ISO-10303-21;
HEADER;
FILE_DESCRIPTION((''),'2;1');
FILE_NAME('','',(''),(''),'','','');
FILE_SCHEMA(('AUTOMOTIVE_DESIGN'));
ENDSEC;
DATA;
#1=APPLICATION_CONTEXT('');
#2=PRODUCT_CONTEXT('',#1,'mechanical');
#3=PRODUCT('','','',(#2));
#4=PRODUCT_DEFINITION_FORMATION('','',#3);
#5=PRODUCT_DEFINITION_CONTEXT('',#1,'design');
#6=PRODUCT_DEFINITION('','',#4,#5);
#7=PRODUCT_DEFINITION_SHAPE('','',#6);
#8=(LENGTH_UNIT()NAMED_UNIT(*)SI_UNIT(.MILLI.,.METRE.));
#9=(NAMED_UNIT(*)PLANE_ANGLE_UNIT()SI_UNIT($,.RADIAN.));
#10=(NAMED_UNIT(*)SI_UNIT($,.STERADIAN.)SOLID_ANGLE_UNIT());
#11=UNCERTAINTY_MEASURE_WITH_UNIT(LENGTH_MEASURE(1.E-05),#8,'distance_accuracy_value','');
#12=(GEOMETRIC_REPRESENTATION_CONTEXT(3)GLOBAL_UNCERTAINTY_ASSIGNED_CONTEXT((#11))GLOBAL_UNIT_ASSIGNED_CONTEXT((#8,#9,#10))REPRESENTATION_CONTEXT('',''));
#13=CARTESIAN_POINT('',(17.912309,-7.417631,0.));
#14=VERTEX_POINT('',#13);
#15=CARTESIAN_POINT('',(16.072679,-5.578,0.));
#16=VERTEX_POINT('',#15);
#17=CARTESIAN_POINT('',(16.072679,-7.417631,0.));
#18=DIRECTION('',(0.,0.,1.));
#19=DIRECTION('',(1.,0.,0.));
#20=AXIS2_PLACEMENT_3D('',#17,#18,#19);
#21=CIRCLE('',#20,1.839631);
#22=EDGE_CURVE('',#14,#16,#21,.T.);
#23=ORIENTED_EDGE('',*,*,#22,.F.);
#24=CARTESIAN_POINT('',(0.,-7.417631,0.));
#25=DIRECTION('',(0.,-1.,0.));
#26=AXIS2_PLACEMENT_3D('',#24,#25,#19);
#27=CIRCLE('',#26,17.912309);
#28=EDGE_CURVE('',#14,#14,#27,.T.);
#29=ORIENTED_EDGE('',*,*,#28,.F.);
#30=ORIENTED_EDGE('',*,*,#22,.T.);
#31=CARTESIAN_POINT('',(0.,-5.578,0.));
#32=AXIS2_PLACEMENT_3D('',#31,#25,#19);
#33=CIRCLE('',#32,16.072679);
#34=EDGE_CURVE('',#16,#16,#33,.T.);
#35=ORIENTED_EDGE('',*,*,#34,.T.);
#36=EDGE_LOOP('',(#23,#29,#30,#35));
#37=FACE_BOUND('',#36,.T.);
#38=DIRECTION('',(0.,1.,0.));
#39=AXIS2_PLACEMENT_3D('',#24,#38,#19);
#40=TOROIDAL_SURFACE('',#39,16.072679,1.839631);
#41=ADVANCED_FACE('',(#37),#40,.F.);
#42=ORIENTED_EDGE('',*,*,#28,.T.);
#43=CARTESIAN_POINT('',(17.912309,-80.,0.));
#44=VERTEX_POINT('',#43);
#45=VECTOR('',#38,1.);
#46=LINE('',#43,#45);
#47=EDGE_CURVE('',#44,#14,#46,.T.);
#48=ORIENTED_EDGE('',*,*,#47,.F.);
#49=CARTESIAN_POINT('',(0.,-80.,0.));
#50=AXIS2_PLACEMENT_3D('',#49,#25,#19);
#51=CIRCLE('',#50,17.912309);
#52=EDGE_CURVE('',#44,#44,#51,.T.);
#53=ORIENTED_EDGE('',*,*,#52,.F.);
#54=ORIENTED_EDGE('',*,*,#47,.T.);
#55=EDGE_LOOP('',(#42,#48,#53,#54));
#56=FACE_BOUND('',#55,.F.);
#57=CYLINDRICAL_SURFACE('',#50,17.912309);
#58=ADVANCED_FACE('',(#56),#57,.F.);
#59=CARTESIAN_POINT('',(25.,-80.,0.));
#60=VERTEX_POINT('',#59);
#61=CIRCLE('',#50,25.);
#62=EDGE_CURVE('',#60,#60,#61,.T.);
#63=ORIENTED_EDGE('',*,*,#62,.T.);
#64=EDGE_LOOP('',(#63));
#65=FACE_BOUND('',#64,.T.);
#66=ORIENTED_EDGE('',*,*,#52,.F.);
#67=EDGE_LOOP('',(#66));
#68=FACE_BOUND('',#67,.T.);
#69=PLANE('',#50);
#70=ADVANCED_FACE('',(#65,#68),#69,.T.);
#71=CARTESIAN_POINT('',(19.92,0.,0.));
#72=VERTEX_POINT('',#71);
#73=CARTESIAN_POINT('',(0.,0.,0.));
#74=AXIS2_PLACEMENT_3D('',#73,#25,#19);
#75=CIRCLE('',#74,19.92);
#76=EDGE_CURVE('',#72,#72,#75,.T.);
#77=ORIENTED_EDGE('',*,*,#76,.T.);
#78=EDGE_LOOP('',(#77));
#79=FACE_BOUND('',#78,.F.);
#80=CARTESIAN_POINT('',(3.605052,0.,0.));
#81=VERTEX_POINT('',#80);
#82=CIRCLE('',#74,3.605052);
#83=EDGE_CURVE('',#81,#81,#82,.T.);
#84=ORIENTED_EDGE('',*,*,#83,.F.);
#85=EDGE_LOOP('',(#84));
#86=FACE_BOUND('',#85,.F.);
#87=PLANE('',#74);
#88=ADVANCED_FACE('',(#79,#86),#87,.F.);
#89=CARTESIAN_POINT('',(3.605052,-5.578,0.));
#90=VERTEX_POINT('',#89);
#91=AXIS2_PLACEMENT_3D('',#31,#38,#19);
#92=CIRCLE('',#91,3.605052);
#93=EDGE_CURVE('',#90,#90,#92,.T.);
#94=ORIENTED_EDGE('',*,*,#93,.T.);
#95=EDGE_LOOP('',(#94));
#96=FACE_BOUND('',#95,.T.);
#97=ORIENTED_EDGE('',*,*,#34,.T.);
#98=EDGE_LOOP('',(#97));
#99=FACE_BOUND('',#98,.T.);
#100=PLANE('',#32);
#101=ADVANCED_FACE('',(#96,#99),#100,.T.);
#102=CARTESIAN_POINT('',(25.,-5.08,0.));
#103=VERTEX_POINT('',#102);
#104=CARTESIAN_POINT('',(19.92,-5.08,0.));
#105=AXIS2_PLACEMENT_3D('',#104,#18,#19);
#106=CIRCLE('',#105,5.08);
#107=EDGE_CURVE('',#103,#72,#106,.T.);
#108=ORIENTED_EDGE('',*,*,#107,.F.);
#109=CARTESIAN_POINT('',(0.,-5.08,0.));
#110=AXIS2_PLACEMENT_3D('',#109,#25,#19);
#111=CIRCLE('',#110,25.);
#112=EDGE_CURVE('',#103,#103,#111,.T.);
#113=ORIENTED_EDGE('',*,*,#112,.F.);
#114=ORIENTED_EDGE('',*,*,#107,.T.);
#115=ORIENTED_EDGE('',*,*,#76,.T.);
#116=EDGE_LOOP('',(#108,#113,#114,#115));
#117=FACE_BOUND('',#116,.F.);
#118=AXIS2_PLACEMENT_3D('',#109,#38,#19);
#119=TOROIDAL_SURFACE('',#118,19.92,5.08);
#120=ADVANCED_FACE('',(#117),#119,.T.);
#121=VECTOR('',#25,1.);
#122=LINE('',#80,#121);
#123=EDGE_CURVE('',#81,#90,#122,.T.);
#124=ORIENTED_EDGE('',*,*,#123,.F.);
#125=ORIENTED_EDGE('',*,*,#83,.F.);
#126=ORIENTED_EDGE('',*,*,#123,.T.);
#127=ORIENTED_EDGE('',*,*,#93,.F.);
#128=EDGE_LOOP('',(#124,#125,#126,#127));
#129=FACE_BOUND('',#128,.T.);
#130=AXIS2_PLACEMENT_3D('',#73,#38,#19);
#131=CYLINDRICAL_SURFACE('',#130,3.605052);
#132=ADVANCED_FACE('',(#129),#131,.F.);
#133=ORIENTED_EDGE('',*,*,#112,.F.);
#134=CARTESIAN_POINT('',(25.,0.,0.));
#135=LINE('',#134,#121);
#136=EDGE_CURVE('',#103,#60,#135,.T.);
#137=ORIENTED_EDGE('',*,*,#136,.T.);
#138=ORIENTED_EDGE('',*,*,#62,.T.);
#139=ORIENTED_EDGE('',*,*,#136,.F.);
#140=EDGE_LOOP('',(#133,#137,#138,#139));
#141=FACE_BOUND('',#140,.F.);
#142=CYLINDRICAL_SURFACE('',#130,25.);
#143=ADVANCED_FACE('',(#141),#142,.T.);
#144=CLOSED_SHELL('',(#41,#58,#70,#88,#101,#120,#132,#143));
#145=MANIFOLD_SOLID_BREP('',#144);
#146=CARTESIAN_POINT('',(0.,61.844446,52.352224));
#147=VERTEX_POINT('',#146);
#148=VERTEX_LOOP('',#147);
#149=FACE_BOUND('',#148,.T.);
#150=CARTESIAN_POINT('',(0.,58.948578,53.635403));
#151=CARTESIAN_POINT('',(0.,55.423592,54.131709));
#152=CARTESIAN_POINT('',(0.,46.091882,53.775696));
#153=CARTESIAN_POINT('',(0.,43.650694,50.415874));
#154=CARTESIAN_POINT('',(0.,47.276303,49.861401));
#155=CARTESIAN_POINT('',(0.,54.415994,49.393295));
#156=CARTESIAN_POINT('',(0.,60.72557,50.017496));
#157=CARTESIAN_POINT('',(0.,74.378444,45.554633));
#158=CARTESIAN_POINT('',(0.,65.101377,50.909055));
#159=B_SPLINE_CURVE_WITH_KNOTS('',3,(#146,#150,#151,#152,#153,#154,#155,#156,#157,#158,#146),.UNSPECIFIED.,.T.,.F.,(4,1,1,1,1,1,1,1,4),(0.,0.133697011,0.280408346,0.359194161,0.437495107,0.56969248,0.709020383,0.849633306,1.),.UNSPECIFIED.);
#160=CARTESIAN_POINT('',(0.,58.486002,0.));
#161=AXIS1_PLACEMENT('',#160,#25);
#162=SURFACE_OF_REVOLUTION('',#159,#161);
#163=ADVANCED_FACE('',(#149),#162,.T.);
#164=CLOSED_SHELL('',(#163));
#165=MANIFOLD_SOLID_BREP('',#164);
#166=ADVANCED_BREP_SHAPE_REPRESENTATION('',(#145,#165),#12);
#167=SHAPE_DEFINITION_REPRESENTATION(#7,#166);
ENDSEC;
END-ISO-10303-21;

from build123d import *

# Parameters (mm, degrees)
F0_R     = 25
F1_DEPTH = 80
F6_R     = 17.9123092865
F7_DEPTH = 74.422
F8_R     = 3.6050515813
F9_DEPTH = 7.62
F10_R    = 5.08
F11_R    = 1.8396307345


with BuildPart() as f1:
    # F0 (on Front) → F1 (new body)
    with BuildSketch(Plane.XZ):
        Circle(F0_R)
    extrude(amount=F1_DEPTH)

    # F6 (on offset) → F7 (cut)
    with BuildSketch(Plane.XZ.offset(80)):
        Circle(F6_R)
    extrude(amount=-F7_DEPTH, mode=Mode.SUBTRACT)

    # F8 (on Front) → F9 (cut)
    with BuildSketch(Plane.XZ):
        Circle(F8_R)
    extrude(amount=F9_DEPTH, mode=Mode.SUBTRACT)

    # F10
    f10_edges = [f1.edges().sort_by_distance(p)[0] for p in [
        (-25, 0, 0),
    ]]
    fillet(f10_edges, radius=F10_R)

    # F11
    f11_edges = [f1.edges().sort_by_distance(p)[0] for p in [
        (-17.912309, -5.578, 0),
    ]]
    fillet(f11_edges, radius=F11_R)


with BuildPart() as f5:
    # F3 (on Right) → F5 (revolve)
    with BuildSketch(Plane.YZ):
        with BuildLine():
            add(Edge.make_bspline(
                [(61.844445765, 52.3522235453), (58.9485784466, 53.635402518), (55.4235916046, 54.1317094665), (46.0918815285, 53.7756964736), (43.6506935375, 50.4158741306), (47.2763032409, 49.8614005378), (54.4159937636, 49.3932951982), (60.7255699062, 50.0174958164), (74.3784440068, 45.5546326294), (65.1013771798, 50.9090545574), (61.844445765, 52.3522235453)],
                knots=[0, 0, 0, 0, 0.133697011, 0.2804083462, 0.3591941613, 0.4374951072, 0.56969248, 0.7090203827, 0.849633306, 1, 1, 1, 1], degree=3))
        make_face()
    revolve(axis=Axis((0, 58.4860015661, 0), (0, -1, 0)))


solid = Compound([f1.part, f5.part])
